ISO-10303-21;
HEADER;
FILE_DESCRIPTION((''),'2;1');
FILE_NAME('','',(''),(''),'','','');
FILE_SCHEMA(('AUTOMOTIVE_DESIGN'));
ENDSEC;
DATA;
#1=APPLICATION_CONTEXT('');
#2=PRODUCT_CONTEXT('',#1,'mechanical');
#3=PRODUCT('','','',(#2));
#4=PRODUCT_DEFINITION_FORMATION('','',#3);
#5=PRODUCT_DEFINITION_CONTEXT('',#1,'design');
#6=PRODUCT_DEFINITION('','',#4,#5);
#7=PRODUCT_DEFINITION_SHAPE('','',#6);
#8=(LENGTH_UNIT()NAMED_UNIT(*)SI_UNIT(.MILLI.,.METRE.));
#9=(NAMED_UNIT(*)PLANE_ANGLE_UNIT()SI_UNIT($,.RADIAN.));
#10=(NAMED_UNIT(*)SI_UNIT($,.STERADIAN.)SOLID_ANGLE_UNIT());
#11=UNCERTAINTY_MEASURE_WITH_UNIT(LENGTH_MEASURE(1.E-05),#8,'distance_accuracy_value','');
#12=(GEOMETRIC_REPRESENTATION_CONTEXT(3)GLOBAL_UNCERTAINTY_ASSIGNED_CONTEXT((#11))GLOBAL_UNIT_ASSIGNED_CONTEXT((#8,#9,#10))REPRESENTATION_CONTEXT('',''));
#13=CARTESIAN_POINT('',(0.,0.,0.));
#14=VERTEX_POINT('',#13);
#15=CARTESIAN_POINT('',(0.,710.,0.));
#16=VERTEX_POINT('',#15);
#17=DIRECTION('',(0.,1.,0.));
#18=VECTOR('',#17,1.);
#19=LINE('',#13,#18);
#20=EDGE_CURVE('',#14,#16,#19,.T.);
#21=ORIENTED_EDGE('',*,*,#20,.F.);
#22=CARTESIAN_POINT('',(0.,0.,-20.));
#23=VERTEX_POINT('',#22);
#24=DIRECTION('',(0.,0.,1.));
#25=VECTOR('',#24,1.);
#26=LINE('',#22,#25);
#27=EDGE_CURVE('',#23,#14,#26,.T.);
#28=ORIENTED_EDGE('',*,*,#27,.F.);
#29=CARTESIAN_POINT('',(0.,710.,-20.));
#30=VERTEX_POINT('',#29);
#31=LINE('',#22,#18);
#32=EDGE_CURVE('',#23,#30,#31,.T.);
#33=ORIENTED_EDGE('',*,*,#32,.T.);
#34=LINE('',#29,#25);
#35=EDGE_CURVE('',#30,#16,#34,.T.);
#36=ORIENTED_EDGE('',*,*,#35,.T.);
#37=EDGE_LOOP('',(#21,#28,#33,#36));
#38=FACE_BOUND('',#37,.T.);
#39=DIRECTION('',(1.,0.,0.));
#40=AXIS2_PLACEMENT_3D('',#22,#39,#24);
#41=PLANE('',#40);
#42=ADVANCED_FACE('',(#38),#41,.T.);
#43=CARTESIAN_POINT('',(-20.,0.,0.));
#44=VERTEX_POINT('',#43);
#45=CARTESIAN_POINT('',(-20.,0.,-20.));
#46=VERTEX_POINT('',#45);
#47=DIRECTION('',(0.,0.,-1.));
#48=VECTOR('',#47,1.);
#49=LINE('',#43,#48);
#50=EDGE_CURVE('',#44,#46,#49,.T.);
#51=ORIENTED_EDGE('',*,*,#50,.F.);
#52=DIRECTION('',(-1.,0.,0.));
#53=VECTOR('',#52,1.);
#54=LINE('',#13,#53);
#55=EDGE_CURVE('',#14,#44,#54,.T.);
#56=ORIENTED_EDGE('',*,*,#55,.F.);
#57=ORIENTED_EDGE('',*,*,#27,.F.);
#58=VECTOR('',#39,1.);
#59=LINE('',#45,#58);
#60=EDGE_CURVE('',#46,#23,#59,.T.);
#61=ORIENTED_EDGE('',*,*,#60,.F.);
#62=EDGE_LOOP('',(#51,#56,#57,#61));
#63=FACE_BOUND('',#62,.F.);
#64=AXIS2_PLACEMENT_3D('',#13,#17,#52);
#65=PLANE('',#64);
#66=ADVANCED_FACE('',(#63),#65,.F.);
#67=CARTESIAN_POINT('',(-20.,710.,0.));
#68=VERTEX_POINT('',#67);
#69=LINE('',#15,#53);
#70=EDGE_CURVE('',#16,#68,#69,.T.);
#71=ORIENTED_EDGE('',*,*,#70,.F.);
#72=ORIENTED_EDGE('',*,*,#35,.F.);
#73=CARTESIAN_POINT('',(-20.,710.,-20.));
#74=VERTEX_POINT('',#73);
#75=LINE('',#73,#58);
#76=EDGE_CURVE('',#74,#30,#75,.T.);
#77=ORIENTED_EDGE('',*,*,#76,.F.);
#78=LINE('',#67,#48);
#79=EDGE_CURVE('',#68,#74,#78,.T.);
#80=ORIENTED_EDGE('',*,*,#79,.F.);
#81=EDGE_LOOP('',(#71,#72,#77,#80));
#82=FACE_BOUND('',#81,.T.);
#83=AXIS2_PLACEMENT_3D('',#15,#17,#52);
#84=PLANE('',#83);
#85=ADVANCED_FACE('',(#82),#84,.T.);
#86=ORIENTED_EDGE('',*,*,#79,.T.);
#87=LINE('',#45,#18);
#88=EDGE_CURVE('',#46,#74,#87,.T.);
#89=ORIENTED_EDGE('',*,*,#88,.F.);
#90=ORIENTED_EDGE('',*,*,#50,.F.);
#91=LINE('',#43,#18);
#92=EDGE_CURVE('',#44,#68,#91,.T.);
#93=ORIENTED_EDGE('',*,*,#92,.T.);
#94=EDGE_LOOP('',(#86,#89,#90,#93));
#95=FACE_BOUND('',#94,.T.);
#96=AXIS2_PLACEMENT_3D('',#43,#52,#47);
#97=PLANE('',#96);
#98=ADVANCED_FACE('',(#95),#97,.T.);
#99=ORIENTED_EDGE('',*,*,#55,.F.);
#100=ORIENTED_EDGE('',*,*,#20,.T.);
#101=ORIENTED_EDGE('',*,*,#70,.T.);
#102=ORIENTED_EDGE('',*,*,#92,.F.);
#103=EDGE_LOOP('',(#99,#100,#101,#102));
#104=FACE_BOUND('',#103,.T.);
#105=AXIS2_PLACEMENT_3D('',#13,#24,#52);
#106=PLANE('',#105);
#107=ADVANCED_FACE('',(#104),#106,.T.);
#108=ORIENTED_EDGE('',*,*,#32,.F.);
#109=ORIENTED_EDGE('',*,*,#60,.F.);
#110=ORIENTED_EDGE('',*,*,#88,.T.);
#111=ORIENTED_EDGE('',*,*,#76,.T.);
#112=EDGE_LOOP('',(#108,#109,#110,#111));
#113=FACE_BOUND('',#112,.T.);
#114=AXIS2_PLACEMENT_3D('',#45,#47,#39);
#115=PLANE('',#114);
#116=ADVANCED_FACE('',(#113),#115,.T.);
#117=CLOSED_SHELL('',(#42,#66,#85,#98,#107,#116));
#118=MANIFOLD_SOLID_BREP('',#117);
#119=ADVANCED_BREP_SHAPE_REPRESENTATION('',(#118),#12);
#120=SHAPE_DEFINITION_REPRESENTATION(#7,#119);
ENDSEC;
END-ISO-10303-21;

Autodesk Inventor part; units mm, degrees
ref_plane "YZ Plane" through (0, 0, 0) normal (1, 0, 0) x (0, 1, 0)
ref_plane "XZ Plane" through (0, 0, 0) normal (0, 1, 0) x (-1, 0, 0)
ref_plane "XY Plane" through (0, 0, 0) normal (0, 0, 1) x (1, 0, 0)
sketch "スケッチ1" plane through (0, 0, 0) normal (0, 1, 0) x (-1, 0, 0)
  line L0 (0, 0) -> (20, 0)
  line L1 (20, 0) -> (20, -20)
  line L2 (20, -20) -> (0, -20)
  line L3 (0, -20) -> (0, 0)
  dimension "d0" = 20
  dimension "d1" = 20
extrude "押し出し1" add sketch "スケッチ1" along normal blind 710
properties part number "frame1"
